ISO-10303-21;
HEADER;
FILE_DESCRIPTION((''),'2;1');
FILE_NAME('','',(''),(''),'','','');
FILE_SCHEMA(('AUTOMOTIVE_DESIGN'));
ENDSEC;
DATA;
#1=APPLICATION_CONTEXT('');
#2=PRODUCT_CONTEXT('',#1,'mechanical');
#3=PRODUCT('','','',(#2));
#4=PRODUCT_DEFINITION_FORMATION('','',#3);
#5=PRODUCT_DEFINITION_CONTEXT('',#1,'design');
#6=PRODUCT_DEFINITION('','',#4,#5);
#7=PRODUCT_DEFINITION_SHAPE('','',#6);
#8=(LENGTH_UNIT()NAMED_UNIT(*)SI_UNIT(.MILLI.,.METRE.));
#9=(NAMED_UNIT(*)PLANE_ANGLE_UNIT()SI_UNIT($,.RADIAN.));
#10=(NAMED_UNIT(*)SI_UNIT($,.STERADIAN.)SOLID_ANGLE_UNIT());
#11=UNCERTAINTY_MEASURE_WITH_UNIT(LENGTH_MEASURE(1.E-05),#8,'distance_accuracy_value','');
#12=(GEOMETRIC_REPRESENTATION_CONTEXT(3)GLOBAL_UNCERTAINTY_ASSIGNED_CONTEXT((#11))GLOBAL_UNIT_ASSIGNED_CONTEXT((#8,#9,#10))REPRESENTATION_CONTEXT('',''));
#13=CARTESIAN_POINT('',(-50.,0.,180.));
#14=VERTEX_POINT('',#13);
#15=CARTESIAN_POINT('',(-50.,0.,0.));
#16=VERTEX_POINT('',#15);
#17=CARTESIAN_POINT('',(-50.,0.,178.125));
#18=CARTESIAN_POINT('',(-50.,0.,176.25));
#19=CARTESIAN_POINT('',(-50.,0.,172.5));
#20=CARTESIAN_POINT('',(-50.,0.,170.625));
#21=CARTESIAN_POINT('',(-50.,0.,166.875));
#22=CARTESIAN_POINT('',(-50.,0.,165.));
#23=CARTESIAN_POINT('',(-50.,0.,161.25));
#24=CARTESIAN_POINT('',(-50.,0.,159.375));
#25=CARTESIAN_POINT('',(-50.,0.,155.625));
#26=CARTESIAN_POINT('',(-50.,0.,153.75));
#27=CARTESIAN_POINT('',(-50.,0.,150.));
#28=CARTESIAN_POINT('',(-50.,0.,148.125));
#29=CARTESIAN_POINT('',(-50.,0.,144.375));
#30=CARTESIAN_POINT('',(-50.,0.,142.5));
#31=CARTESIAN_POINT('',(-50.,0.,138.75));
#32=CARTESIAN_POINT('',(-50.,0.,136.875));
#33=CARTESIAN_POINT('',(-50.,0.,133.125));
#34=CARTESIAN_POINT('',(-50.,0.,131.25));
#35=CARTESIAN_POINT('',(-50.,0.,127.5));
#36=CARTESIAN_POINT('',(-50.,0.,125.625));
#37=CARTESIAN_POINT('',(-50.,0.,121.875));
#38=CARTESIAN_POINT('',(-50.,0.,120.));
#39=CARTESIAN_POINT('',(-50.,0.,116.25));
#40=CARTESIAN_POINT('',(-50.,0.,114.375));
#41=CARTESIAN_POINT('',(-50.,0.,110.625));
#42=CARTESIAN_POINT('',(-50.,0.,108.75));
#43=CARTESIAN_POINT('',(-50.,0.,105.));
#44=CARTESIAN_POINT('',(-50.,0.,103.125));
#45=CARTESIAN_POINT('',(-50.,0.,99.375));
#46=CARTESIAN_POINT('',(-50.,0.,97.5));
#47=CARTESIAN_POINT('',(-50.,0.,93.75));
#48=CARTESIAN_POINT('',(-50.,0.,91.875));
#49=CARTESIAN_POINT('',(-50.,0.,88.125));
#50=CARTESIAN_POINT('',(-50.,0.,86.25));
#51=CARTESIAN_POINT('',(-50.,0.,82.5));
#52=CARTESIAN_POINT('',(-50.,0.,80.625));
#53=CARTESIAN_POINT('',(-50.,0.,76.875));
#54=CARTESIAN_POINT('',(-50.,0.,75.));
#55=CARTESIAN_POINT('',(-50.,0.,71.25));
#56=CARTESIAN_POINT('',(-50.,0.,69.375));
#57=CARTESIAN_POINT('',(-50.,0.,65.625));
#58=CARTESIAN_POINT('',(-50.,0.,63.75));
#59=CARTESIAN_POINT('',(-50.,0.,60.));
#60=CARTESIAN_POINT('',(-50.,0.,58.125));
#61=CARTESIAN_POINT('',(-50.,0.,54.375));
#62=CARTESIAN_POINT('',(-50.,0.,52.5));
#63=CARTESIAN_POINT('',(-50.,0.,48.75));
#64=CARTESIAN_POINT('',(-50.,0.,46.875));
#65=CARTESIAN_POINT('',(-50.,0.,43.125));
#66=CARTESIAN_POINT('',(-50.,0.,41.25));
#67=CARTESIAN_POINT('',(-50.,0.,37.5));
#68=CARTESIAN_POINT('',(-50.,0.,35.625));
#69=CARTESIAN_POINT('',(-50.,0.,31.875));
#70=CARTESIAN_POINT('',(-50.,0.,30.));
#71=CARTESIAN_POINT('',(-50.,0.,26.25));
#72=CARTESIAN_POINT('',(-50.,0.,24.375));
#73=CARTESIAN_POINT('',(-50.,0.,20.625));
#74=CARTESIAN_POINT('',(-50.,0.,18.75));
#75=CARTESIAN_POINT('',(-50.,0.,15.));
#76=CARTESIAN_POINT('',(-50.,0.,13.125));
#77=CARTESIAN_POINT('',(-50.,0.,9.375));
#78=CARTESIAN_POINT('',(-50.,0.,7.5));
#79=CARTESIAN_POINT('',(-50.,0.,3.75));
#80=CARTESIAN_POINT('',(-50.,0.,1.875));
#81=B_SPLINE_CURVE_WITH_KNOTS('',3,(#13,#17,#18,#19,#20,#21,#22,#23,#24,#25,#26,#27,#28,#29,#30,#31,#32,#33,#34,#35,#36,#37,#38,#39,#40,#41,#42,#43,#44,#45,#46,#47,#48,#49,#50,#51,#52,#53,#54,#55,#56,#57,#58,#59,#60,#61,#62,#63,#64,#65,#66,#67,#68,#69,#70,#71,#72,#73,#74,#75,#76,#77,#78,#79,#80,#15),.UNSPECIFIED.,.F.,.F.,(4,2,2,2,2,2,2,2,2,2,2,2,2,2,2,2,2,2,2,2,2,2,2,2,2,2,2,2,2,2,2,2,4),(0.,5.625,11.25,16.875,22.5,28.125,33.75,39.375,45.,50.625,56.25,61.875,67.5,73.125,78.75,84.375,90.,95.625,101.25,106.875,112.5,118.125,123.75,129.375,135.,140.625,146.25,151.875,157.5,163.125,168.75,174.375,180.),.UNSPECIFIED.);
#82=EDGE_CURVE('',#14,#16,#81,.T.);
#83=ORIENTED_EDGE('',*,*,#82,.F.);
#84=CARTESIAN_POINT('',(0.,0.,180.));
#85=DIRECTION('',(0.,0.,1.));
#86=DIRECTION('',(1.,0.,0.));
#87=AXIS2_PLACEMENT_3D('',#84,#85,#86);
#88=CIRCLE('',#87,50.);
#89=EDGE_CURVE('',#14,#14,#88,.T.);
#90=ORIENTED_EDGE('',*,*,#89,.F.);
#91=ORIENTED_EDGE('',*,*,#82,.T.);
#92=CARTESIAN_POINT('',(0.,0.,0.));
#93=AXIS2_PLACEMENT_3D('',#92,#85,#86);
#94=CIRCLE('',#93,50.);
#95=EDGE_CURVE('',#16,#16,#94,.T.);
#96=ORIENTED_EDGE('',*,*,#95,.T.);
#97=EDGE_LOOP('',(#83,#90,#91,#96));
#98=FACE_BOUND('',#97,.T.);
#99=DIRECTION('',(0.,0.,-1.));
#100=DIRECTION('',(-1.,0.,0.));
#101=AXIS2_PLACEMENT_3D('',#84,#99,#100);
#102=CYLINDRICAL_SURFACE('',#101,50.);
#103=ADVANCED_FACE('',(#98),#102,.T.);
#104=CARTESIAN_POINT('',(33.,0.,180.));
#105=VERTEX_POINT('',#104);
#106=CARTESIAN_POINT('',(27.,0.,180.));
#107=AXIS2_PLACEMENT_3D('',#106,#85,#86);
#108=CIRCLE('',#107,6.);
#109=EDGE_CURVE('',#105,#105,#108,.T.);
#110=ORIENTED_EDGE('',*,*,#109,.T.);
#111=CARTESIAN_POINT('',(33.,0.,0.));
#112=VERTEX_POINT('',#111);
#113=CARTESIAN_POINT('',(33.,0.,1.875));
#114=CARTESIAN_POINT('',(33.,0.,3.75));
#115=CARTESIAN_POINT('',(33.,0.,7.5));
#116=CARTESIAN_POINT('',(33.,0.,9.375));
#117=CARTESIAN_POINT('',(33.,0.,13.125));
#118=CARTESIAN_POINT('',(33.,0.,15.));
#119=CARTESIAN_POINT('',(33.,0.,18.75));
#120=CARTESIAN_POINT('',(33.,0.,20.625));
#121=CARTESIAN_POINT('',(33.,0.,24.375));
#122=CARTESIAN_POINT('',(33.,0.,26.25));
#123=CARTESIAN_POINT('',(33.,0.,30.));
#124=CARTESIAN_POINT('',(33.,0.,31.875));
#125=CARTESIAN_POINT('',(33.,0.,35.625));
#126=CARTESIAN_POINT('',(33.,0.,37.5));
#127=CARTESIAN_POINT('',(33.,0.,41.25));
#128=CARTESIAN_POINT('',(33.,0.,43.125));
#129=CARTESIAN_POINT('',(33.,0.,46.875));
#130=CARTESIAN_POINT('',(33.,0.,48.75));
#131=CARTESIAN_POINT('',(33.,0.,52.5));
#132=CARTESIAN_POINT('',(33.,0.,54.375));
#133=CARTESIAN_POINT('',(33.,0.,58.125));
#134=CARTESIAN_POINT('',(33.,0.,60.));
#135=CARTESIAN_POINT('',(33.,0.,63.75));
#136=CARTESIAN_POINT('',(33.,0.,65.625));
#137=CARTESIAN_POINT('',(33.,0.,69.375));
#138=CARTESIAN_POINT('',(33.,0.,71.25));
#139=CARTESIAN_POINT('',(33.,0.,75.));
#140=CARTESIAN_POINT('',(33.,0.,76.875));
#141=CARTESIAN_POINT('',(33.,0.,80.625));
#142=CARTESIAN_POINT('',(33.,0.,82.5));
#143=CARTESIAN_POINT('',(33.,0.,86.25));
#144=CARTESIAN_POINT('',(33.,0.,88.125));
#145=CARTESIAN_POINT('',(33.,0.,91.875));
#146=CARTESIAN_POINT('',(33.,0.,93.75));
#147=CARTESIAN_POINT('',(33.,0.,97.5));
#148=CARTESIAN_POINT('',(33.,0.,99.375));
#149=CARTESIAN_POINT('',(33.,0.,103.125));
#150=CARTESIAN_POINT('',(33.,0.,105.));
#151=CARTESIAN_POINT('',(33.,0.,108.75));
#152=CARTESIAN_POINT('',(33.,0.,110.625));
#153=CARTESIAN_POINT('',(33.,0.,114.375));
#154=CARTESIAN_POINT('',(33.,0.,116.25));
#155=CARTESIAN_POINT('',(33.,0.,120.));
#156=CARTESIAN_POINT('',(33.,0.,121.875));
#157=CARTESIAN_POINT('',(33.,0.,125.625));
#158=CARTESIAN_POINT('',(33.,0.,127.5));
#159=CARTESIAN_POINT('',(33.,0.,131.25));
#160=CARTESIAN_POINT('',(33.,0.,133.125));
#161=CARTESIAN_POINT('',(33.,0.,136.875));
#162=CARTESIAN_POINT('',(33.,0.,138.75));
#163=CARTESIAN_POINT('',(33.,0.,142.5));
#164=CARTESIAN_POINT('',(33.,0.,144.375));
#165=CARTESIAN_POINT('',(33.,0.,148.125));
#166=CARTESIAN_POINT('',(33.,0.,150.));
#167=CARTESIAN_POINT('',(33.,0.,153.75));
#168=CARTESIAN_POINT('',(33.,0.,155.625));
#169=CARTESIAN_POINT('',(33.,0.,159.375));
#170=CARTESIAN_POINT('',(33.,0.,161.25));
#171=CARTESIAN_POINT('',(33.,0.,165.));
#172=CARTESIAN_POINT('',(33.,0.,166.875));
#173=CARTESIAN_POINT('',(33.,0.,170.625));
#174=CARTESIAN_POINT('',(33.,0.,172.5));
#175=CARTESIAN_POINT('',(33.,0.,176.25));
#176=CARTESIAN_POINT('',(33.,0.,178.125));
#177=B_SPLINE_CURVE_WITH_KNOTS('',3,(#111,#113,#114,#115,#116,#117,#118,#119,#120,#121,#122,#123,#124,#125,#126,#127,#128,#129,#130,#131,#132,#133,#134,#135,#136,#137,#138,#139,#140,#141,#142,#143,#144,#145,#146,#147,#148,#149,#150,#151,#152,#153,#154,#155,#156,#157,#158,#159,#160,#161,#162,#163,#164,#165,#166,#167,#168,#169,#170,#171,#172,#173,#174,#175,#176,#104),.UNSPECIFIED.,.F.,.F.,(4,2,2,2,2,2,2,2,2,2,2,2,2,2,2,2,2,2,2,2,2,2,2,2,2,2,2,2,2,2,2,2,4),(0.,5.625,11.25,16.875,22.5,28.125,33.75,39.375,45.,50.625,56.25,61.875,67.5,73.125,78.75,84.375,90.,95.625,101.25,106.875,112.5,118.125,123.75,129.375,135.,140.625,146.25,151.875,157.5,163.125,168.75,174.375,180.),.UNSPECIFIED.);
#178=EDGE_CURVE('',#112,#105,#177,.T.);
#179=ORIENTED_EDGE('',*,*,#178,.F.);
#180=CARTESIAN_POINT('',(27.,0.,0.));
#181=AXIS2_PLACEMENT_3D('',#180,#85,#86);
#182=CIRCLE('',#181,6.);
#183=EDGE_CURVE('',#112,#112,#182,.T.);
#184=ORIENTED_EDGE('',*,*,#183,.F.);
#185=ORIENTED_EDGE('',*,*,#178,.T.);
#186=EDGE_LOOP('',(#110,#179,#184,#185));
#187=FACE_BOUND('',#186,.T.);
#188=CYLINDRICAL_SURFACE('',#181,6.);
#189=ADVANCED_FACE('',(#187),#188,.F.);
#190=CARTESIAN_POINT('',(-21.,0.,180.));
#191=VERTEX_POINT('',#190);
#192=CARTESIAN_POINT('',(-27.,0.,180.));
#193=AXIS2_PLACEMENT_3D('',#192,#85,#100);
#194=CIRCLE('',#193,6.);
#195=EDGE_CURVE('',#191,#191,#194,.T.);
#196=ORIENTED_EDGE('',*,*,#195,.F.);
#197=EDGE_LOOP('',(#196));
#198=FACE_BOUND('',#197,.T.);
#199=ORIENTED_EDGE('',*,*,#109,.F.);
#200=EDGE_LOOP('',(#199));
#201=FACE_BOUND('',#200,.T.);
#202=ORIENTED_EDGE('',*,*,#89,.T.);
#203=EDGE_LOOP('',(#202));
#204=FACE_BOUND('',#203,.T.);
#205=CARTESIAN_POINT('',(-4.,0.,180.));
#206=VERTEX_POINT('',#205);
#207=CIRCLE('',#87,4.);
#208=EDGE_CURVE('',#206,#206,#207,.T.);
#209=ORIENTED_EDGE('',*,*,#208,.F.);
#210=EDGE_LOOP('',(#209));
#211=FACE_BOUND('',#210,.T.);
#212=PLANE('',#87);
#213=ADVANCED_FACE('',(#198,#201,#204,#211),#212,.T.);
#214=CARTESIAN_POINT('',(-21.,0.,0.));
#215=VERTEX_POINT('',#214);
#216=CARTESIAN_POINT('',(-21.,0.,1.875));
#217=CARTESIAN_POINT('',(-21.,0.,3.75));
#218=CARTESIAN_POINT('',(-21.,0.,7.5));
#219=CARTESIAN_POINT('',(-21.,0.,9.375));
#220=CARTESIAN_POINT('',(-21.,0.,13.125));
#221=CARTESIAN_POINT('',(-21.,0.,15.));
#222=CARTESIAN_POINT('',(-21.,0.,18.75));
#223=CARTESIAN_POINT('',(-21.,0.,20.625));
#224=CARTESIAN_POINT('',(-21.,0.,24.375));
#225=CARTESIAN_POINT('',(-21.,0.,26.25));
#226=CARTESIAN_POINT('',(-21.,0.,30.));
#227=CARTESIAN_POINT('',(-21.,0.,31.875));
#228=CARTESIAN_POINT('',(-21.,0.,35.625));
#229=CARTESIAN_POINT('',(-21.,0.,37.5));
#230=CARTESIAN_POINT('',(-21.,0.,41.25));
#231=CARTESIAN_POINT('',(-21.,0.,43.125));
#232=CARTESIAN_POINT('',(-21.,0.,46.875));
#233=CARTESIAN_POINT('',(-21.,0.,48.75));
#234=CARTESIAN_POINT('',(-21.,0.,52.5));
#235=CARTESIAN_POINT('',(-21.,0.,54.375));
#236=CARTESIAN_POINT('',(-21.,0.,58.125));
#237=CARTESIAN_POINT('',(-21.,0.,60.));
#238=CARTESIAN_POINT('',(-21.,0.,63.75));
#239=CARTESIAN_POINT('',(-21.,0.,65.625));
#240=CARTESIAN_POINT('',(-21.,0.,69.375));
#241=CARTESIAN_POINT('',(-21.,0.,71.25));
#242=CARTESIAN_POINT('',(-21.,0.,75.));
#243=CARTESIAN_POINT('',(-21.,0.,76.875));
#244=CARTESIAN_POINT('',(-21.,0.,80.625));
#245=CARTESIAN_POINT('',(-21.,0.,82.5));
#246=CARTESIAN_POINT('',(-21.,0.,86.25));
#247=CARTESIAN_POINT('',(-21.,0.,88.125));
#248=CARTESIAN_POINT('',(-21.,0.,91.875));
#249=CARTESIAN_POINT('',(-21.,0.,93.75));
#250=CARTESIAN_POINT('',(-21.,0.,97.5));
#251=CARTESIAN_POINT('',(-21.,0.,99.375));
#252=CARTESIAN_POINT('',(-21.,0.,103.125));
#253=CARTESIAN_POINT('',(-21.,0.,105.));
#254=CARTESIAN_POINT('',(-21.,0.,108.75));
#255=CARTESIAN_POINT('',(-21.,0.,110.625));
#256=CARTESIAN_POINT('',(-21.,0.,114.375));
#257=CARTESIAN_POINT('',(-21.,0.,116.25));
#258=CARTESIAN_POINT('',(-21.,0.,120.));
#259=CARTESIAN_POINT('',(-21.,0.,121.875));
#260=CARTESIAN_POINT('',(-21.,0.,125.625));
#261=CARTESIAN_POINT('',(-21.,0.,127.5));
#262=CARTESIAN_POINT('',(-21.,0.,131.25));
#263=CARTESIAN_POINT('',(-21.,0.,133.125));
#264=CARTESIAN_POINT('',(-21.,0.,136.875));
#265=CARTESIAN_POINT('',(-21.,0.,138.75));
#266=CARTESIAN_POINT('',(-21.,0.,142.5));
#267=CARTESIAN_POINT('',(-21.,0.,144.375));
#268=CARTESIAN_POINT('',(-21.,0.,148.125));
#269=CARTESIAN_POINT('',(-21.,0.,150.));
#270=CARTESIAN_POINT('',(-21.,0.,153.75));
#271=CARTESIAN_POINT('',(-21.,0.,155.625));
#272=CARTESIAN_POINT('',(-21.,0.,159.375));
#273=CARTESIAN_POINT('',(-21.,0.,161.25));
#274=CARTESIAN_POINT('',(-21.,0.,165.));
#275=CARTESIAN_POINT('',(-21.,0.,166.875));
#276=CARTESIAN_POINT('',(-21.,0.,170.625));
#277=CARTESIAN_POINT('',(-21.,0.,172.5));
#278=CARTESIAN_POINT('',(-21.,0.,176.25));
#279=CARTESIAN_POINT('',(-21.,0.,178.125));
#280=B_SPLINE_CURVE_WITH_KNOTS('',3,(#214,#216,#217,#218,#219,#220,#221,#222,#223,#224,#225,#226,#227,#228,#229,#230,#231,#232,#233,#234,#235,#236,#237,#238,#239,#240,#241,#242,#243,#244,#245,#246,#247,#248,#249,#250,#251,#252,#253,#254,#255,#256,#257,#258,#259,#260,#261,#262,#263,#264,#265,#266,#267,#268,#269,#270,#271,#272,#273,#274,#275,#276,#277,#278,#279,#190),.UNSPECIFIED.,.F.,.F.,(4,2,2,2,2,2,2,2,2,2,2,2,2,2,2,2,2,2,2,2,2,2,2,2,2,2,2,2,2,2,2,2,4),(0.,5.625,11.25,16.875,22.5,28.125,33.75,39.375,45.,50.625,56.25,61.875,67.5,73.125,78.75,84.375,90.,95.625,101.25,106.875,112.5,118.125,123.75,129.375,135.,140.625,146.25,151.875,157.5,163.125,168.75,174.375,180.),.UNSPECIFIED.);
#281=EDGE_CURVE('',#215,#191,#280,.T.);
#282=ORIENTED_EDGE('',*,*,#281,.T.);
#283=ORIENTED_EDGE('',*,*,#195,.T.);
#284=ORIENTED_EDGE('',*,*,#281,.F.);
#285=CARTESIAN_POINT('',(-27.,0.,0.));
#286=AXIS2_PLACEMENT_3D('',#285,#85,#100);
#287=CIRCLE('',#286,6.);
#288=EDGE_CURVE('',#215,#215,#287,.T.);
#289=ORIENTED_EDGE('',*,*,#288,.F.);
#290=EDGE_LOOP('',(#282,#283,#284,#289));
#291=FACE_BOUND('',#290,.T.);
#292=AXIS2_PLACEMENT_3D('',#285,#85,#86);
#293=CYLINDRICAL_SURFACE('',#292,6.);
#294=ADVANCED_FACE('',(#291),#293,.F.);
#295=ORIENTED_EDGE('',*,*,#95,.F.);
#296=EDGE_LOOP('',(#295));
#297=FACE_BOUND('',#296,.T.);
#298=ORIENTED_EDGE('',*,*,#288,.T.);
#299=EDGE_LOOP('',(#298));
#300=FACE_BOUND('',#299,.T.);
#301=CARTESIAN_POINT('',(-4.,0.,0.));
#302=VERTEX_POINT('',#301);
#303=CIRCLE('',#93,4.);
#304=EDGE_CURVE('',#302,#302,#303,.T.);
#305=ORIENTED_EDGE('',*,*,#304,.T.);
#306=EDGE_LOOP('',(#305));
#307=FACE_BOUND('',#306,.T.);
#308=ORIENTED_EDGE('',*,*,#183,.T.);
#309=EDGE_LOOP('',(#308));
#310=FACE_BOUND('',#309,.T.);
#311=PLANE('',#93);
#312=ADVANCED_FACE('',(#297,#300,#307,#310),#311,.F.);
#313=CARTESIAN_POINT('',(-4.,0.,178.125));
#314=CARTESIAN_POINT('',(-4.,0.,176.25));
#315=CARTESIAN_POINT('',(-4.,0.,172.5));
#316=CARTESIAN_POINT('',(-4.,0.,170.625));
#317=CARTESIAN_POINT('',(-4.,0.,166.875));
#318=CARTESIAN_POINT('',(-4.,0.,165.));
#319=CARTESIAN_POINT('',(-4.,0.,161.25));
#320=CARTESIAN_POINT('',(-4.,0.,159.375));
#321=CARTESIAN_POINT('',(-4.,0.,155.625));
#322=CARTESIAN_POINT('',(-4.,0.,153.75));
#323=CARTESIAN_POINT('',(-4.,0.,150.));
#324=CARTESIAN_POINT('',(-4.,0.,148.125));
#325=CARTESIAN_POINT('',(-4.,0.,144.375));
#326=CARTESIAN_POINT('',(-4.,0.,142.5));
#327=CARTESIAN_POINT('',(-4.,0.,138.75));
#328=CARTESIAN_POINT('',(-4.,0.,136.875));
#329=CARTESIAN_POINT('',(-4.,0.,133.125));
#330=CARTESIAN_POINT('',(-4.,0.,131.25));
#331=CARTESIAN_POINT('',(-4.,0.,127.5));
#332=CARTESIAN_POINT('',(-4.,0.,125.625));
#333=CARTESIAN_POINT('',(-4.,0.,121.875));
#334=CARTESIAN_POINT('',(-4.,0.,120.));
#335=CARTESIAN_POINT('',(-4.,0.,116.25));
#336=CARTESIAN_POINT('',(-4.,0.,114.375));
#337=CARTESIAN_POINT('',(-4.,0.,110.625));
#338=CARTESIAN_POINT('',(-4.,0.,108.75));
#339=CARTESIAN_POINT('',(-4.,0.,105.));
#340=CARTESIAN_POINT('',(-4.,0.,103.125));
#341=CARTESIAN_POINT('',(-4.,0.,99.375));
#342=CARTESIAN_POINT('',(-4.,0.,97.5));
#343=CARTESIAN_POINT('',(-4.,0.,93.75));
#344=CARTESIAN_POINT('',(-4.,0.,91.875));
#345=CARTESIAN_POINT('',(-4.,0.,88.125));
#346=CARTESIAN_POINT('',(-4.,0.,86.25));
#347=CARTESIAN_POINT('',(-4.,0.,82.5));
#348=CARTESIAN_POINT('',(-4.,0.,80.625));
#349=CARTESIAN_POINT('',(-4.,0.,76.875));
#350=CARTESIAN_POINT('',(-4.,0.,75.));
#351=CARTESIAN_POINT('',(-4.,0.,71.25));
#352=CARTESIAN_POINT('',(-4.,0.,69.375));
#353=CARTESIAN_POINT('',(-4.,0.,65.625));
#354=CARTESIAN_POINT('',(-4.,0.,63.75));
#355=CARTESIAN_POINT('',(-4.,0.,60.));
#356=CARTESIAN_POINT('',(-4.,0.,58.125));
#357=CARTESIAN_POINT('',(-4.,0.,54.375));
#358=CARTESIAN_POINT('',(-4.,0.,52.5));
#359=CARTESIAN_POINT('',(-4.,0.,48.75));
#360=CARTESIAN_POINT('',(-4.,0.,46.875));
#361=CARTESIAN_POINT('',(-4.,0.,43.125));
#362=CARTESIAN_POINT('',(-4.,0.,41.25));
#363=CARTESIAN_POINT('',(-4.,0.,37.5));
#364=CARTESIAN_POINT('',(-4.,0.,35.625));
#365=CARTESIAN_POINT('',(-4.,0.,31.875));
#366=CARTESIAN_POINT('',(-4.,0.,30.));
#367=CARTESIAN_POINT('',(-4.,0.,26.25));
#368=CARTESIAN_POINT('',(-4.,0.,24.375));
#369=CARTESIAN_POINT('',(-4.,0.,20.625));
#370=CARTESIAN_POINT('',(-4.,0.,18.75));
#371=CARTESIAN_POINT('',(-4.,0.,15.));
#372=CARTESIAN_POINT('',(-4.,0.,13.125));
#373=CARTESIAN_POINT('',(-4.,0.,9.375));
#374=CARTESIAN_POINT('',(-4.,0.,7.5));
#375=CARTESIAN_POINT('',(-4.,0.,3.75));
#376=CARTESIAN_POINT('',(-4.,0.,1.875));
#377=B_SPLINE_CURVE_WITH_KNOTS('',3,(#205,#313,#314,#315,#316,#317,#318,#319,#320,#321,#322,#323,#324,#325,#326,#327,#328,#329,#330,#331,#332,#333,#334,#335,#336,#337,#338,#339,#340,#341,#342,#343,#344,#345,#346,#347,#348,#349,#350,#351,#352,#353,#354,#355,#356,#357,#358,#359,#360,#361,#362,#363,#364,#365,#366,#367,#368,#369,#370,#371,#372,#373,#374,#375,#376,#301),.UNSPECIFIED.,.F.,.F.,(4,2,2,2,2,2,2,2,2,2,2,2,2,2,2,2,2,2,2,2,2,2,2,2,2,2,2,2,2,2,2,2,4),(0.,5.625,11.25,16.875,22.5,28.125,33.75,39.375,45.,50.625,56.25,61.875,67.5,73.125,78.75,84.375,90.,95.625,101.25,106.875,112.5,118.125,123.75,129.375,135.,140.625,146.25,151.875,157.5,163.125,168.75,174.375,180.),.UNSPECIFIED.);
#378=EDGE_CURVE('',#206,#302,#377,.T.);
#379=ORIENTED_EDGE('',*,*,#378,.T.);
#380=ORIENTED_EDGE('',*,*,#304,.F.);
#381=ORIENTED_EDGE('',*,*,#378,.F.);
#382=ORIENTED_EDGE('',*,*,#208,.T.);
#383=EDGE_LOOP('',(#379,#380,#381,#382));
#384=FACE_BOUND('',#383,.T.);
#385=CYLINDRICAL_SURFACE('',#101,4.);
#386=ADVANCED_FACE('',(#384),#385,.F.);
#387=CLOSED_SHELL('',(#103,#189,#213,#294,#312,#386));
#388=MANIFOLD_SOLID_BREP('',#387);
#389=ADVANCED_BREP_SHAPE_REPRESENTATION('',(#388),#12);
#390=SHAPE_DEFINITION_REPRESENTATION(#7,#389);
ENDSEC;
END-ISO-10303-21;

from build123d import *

# Parameters (mm, degrees)
SKETCH1_R           = 50
SKETCH1_R_2         = 4
BOSS_EXTRUDE1_DEPTH = 180
SKETCH2_R           = 6
CUT_EXTRUDE1_DEPTH  = 194.390796058


with BuildPart() as part:
    # Sketch1 → Boss-Extrude1 (new body)
    with BuildSketch(Plane.XY):
        with Locations(Location((0, 0, 0), (0, 0, 180))):
            Circle(SKETCH1_R)
        with Locations(Location((0, 0, 0), (0, 0, 180))):
            Circle(SKETCH1_R_2, mode=Mode.SUBTRACT)
    extrude(amount=BOSS_EXTRUDE1_DEPTH)

    # Sketch2 → Cut-Extrude1 (cut, through all)
    with BuildSketch(Plane.XY.offset(180)):
        with Locations((27, 0)):
            Circle(SKETCH2_R)
        with Locations((-27, 0)):
            Circle(SKETCH2_R)
    extrude(amount=-CUT_EXTRUDE1_DEPTH, mode=Mode.SUBTRACT)


solid = part.part
